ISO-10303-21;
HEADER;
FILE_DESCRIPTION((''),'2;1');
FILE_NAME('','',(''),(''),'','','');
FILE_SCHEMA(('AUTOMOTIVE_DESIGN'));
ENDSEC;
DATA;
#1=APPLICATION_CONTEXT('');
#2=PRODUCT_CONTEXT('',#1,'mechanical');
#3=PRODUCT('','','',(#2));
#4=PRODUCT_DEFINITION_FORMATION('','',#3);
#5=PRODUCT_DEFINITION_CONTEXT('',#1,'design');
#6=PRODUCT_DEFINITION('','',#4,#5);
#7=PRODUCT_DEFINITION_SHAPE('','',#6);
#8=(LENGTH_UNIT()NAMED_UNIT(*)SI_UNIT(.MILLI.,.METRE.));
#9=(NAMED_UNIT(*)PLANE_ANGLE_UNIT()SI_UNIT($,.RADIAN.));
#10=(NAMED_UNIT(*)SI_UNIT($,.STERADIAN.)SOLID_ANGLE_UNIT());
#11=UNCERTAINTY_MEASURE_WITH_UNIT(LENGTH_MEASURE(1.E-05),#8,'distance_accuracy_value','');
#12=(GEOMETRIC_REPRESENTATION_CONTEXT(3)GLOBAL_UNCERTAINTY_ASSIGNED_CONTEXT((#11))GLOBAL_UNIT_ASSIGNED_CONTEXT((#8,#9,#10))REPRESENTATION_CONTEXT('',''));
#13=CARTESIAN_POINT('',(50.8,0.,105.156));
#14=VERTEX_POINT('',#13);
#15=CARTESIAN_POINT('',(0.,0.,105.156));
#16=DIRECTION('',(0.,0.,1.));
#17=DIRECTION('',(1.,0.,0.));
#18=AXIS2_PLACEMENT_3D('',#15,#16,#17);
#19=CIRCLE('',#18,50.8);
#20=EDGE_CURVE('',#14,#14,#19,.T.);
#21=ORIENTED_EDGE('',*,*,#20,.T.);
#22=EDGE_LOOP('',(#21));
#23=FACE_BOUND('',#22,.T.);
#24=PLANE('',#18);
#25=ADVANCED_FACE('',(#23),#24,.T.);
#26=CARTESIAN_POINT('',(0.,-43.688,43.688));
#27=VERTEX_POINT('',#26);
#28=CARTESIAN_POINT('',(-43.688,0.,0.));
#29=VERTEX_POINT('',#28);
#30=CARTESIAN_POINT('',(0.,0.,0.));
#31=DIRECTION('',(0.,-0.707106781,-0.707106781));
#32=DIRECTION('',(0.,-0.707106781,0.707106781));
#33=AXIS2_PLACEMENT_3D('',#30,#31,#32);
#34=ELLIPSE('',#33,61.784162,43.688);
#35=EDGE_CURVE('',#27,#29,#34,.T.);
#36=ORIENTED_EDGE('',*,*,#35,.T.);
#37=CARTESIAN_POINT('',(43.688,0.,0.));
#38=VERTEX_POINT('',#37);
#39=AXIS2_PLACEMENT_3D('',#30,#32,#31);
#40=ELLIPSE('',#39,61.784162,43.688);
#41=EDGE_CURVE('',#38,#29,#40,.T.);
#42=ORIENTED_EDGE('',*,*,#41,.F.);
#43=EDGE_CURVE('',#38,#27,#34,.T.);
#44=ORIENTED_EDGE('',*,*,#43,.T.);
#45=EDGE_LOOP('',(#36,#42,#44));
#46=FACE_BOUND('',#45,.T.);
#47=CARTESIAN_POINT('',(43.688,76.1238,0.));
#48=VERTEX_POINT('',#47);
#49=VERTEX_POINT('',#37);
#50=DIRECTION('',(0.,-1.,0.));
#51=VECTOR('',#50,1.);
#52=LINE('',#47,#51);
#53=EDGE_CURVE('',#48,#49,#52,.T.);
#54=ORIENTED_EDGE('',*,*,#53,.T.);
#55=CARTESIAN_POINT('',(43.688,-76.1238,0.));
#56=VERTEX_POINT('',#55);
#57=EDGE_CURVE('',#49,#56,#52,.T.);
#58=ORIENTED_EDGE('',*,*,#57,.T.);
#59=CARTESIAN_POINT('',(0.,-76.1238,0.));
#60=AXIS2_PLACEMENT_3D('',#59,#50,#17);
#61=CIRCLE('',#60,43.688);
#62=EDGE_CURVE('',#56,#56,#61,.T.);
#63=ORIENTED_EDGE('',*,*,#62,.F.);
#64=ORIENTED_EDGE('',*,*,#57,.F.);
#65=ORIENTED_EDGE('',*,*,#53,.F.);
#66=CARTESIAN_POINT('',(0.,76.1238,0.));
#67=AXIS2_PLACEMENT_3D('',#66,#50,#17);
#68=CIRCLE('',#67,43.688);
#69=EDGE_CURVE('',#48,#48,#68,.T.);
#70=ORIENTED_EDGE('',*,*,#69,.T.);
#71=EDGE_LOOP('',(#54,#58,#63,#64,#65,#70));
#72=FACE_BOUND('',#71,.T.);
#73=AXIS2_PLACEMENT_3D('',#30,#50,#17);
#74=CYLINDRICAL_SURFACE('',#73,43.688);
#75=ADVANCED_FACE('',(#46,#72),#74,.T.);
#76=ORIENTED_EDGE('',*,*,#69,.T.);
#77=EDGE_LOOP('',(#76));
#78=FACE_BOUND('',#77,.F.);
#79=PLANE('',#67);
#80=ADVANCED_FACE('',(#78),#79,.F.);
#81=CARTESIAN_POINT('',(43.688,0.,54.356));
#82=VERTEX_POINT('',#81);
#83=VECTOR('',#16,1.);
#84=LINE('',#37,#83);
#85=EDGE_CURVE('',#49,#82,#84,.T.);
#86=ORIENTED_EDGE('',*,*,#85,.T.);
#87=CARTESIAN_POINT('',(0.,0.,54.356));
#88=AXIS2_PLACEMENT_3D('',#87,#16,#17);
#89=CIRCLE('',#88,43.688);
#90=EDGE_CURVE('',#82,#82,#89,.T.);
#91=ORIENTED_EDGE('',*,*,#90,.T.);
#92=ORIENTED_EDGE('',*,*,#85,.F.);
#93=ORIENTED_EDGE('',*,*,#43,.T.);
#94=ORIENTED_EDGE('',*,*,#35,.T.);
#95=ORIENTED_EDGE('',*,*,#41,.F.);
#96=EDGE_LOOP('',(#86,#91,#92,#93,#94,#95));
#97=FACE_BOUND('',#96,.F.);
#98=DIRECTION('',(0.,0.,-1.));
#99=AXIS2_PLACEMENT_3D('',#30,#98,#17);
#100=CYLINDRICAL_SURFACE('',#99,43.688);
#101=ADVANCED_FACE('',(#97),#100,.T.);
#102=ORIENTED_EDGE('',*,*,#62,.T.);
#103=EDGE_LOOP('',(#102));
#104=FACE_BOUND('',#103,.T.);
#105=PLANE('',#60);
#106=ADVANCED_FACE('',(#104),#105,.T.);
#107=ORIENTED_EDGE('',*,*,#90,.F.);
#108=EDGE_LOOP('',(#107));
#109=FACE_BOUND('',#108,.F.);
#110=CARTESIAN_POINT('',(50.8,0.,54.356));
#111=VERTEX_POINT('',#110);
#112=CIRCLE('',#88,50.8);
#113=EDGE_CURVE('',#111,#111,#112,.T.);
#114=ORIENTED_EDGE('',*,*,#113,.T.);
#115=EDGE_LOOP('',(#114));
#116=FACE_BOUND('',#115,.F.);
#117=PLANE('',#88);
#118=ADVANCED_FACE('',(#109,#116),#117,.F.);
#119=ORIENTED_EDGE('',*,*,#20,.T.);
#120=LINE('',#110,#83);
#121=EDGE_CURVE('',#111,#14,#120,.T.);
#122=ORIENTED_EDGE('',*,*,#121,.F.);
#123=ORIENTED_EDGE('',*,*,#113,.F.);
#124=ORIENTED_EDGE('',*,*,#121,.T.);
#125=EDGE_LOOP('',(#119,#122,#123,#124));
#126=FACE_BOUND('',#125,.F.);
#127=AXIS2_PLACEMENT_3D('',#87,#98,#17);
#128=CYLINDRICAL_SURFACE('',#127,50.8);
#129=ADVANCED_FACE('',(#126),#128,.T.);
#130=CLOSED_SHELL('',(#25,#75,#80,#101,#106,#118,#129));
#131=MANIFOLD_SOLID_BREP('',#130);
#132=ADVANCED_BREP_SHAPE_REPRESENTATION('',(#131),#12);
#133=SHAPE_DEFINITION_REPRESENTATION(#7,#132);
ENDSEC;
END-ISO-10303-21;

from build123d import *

# Parameters (mm, degrees)
F0_R          = 43.688
F2_DEPTH      = 76.1238
F2_DEPTH_BACK = 76.1238
F1_R          = 43.688
F3_DEPTH      = 54.356
F4_R          = 50.8
F4_R_2        = 43.688
F5_DEPTH      = 50.8


with BuildPart() as f2:
    # F0 (on Front) → F2 (new body, two sides)
    with BuildSketch(Plane.XZ) as f2_sk:
        Circle(F0_R)
    extrude(amount=F2_DEPTH)
    extrude(f2_sk.sketch, amount=-F2_DEPTH_BACK)

    # F1 (on Top) → F3 (join)
    with BuildSketch(Plane.XY):
        Circle(F1_R)
    extrude(amount=F3_DEPTH)

    # F4 (on face) → F5 (join)
    with BuildSketch(Plane.XY.offset(54.356)):
        Circle(F4_R)
        Circle(F4_R_2, mode=Mode.SUBTRACT)
        Circle(F4_R_2)
    extrude(amount=F5_DEPTH)


solid = f2.part
